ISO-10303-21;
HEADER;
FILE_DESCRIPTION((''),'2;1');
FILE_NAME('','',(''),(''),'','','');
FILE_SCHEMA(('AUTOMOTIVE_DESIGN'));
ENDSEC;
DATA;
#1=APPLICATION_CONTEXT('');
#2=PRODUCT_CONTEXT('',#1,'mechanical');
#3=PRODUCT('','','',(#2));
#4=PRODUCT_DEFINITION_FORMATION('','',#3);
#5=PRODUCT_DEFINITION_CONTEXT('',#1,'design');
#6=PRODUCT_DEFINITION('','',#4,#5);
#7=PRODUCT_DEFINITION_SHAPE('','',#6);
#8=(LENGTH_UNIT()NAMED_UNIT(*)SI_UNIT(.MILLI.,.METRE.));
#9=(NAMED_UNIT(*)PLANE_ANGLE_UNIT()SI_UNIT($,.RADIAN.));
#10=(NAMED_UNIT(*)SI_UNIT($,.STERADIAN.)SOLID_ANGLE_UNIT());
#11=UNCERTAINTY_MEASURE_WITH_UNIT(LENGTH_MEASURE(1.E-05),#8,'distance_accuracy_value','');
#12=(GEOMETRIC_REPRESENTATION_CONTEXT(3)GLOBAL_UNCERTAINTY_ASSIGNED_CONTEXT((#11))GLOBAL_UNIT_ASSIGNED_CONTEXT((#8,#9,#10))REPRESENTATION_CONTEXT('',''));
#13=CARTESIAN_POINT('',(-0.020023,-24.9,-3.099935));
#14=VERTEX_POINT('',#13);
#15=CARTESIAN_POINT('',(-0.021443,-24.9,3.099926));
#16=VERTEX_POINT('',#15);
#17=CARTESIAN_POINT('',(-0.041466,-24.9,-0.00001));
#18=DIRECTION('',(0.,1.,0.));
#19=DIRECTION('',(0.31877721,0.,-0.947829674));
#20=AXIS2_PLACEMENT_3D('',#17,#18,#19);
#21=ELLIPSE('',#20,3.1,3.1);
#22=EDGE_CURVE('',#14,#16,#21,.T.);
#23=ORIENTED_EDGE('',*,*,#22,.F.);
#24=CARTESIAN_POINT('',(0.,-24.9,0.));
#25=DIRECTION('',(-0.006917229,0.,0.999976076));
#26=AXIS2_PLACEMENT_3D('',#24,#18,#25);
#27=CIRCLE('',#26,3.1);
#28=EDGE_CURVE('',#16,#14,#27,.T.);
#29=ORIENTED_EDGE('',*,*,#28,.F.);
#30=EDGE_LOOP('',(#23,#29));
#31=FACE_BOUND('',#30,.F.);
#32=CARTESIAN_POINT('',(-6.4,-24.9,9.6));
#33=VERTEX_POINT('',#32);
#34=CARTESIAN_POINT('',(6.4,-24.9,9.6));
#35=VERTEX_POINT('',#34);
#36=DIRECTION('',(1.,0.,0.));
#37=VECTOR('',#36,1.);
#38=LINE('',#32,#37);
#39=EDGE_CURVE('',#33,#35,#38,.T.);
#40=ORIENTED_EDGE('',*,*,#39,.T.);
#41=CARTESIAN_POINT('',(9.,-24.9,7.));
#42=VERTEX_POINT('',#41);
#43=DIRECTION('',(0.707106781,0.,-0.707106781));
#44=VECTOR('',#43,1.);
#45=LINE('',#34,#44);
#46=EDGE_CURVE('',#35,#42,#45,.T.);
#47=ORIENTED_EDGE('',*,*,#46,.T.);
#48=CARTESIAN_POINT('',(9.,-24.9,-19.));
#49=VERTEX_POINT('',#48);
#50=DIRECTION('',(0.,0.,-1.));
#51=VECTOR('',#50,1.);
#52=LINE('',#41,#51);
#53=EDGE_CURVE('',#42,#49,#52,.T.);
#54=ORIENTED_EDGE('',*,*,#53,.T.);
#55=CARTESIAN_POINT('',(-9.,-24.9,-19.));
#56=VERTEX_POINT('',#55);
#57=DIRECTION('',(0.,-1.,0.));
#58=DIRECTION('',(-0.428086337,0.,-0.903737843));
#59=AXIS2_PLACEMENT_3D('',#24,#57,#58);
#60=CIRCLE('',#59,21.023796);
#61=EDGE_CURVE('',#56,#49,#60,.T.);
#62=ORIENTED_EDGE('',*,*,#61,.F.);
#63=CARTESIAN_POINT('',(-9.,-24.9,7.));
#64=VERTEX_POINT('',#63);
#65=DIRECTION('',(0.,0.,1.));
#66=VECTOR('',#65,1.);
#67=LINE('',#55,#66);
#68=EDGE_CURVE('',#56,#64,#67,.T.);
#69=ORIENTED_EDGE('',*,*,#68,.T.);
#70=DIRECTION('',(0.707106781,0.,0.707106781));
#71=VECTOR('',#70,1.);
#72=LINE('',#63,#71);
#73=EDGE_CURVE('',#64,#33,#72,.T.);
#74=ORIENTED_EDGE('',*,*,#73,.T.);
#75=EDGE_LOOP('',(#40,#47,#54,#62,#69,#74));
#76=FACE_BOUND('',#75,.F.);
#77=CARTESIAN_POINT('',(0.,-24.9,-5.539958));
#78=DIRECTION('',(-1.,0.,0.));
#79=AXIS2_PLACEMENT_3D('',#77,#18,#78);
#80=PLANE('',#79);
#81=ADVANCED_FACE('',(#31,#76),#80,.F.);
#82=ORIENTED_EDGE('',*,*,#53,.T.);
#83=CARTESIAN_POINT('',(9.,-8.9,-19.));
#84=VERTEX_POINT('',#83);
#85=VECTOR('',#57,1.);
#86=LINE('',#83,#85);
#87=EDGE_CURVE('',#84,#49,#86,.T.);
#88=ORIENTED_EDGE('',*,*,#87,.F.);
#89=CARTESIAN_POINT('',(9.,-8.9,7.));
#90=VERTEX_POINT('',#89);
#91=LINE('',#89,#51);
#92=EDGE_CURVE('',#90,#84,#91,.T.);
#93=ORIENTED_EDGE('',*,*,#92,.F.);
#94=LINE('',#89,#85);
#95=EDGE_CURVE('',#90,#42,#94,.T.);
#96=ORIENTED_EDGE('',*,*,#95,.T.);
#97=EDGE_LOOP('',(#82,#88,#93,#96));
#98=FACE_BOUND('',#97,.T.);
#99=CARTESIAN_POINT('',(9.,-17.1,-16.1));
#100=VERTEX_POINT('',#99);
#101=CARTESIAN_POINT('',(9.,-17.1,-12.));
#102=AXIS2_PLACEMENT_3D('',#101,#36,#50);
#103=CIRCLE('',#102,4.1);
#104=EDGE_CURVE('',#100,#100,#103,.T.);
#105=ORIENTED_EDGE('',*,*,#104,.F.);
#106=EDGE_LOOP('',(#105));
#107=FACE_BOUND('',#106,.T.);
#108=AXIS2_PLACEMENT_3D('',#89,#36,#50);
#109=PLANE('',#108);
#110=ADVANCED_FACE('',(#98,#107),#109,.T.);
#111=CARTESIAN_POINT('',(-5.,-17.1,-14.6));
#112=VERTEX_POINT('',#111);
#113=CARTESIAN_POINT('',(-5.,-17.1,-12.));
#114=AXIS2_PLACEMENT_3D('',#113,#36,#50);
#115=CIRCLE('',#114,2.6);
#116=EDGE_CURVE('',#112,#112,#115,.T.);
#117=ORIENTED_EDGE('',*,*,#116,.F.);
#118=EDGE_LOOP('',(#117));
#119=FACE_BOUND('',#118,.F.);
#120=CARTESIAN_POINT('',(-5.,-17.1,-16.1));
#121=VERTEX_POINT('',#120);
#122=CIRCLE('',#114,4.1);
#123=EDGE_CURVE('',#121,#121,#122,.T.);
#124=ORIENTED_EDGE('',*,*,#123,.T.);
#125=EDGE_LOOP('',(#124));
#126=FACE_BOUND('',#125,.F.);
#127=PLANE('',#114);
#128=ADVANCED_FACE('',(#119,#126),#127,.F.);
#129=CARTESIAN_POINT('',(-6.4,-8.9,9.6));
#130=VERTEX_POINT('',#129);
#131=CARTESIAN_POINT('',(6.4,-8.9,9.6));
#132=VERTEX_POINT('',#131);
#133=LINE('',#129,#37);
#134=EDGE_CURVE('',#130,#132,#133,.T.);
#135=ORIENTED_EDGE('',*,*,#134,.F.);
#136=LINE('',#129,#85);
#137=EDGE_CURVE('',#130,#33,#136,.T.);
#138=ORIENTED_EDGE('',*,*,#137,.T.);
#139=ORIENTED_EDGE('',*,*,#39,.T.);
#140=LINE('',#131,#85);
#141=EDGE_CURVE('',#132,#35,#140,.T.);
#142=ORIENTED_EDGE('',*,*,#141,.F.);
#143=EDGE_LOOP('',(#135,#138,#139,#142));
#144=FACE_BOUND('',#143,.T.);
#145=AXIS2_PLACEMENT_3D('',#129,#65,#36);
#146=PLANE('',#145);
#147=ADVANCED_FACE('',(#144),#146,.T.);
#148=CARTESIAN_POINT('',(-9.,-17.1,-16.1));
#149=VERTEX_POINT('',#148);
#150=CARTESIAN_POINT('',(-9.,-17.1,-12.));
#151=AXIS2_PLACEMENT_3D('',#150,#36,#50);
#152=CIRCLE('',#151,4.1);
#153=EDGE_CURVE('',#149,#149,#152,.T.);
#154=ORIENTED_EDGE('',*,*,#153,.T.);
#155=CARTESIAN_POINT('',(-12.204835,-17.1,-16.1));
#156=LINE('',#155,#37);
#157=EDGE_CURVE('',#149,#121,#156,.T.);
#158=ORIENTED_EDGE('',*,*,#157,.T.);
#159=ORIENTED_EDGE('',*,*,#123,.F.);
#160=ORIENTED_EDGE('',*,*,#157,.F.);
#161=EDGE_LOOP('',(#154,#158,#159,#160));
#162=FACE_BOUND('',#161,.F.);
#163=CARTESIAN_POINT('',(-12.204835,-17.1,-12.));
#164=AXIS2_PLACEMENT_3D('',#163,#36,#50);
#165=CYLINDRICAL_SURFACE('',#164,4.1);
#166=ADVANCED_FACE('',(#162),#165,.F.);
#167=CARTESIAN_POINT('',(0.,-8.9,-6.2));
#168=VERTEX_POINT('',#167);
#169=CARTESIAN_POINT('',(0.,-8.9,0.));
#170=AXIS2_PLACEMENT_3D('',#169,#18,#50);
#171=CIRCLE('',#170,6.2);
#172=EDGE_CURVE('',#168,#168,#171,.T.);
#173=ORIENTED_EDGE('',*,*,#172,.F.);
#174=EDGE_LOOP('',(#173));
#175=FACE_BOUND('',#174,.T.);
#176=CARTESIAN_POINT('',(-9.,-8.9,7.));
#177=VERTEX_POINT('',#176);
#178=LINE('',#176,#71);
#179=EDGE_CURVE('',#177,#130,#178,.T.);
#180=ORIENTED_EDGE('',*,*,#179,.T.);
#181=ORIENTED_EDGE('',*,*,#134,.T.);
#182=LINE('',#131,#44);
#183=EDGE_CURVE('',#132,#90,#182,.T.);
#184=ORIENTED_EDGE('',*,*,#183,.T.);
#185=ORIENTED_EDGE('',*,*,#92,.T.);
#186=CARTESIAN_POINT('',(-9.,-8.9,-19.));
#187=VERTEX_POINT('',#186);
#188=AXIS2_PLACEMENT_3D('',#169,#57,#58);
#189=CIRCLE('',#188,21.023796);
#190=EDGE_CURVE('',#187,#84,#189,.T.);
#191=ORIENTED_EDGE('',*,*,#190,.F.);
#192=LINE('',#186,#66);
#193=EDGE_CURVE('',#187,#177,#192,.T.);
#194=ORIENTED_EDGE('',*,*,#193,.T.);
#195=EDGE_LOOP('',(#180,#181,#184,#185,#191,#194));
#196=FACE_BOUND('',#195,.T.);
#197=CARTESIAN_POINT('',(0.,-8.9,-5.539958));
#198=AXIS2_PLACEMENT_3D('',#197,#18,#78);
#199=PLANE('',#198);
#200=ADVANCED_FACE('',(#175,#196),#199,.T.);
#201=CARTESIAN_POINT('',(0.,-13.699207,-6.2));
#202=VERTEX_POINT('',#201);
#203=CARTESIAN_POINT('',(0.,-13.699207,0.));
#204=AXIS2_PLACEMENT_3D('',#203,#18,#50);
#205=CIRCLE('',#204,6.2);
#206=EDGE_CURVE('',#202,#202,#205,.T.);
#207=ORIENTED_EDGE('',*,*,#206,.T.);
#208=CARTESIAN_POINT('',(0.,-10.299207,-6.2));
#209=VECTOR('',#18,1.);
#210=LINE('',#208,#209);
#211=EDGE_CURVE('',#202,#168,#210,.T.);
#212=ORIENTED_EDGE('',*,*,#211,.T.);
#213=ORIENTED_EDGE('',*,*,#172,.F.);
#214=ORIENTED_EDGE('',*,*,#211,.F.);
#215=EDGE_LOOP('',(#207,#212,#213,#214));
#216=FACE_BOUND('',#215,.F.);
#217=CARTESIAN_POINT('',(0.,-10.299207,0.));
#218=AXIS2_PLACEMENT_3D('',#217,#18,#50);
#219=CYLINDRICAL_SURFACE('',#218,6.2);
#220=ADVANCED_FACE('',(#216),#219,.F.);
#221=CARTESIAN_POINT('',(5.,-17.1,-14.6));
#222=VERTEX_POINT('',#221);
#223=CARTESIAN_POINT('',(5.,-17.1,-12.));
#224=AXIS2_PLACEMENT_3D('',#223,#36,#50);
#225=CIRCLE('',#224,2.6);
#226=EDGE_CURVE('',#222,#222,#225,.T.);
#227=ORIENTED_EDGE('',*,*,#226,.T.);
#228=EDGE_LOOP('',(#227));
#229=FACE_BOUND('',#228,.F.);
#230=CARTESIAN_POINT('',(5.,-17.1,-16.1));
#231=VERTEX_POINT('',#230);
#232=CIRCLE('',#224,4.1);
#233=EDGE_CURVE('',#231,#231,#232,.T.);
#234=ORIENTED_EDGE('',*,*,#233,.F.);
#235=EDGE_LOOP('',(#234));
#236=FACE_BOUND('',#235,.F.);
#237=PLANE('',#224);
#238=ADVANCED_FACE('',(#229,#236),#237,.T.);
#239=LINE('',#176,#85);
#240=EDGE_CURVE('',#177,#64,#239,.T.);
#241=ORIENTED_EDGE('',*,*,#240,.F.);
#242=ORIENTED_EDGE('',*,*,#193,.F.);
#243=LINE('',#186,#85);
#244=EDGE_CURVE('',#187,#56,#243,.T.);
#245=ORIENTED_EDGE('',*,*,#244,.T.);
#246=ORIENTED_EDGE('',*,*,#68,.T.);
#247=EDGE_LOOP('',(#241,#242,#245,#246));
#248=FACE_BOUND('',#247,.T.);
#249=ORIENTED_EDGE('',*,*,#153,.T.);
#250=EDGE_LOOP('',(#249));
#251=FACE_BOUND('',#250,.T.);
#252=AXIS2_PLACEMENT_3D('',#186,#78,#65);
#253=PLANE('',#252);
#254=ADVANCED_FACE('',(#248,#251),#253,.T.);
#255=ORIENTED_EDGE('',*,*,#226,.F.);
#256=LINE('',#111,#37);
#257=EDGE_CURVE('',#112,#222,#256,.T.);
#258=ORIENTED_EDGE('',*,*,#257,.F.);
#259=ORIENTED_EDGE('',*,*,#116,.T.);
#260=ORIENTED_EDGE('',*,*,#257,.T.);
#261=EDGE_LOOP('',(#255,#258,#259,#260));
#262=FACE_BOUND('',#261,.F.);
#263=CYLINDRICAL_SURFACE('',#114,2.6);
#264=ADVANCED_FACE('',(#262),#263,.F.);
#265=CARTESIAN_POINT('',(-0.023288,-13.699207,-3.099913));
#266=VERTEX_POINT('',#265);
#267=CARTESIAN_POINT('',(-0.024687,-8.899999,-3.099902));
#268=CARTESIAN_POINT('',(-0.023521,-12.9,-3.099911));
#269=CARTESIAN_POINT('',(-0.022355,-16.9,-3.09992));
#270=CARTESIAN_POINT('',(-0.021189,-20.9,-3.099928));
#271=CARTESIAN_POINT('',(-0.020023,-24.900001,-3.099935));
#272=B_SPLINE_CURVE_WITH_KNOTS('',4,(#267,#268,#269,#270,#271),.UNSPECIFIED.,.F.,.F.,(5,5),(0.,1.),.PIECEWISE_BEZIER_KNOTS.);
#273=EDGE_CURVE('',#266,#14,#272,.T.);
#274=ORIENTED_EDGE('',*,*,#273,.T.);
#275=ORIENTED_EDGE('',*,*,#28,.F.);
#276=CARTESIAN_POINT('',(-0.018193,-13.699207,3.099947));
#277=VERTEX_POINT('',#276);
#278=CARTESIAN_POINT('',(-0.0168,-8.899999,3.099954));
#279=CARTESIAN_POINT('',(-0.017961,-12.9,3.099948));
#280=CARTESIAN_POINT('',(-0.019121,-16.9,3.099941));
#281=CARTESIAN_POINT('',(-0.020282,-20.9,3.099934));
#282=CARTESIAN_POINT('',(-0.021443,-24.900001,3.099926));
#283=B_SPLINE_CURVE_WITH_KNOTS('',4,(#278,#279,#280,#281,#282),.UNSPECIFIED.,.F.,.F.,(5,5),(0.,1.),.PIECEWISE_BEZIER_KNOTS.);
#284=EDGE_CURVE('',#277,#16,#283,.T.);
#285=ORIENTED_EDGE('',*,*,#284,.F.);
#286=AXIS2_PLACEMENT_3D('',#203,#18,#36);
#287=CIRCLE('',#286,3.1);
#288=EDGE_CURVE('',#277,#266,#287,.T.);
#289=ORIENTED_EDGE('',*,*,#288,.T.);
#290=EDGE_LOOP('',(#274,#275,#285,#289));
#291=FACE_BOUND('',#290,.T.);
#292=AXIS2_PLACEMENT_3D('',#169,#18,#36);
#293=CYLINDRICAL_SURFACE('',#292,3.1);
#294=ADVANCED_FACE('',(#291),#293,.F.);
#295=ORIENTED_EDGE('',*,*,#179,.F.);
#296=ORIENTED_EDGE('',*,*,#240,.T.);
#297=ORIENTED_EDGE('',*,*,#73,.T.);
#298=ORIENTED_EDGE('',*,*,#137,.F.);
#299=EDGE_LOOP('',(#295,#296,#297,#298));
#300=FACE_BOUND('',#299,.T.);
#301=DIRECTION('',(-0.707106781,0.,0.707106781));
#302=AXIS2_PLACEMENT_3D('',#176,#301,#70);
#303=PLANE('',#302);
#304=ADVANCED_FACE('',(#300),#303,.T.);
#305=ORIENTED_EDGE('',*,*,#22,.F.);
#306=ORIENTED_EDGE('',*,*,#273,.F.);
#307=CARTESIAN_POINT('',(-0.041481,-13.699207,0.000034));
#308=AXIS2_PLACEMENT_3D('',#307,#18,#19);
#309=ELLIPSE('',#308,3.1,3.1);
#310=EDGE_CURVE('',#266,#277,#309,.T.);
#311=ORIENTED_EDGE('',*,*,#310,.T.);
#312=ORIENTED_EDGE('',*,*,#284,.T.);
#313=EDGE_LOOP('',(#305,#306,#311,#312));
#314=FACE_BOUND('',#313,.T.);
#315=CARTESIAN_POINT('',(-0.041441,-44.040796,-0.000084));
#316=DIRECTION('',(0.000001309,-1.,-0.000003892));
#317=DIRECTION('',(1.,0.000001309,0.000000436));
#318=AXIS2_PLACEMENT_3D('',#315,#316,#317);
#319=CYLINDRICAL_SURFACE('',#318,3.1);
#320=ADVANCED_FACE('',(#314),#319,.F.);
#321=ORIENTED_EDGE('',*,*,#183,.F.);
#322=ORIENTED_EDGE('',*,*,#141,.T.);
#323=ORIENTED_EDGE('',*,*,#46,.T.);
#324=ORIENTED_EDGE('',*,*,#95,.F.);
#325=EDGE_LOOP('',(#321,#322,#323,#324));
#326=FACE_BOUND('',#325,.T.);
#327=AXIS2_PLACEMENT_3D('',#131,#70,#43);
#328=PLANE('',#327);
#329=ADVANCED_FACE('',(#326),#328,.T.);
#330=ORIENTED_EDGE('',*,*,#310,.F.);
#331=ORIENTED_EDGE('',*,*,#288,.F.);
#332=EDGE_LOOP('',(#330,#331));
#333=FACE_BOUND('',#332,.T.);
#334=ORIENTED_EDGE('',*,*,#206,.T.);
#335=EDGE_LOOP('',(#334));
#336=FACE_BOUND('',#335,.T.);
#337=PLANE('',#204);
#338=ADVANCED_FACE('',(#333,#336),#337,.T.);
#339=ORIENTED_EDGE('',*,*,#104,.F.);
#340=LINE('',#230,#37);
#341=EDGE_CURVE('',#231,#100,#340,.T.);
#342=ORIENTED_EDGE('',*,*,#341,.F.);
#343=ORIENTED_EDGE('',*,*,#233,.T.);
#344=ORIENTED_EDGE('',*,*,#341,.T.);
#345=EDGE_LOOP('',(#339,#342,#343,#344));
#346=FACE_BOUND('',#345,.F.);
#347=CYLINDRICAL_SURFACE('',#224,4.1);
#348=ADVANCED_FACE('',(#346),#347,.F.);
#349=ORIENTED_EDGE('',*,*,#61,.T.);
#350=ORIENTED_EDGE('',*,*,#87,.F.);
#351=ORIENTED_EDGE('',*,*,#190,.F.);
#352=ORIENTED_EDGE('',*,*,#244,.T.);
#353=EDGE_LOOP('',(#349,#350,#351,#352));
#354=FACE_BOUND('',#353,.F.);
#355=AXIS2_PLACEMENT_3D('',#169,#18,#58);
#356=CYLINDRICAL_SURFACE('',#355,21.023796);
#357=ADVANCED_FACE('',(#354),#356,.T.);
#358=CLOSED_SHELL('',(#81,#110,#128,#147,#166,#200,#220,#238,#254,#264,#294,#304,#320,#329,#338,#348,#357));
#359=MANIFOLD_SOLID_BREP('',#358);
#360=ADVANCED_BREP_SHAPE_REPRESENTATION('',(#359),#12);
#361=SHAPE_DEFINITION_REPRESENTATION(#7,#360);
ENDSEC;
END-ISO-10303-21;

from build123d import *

# Parameters (mm, degrees)
COPYSKETCH018_W             = 6.8
COPYSKETCH018_H             = 3.7
CYLINDER069_R               = 3.1
CYLINDER069_DEPTH           = 44
CYLINDER069_ROLL_ANGLE      = -89.999777
CYLINDER069_PITCH_ANGLE     = -2.5e-05
CYLINDER069_PLACEMENT_ANGLE = 7.5e-05
SKETCH022_R                 = 3.1
PAD022_DEPTH                = 16


with BuildPart() as abstand_ring004:
    # CopySketch018 → Revolution004 (revolve)
    with BuildSketch(Plane.YZ):
        with Locations((-5.899207, -4.35)):
            Rectangle(COPYSKETCH018_W, COPYSKETCH018_H)
    revolve(axis=Axis((0, 0, 0), (0, 1, 0)))


with BuildPart() as abstand_ring004_1:
    # Body032 placement: moved
    add(abstand_ring004.part.moved(Location((0, -4.4, 0))))


with BuildPart() as bohrung_durch_innen:
    # Cylinder069 → Cylinder069 (new body)
    with BuildSketch(Plane.XY):
        Circle(CYLINDER069_R)
    extrude(amount=CYLINDER069_DEPTH)


with BuildPart() as bohrung_durch_innen_1:
    # Cylinder069 roll: moved
    add(bohrung_durch_innen.part.rotate(Axis((0, 0, 0), (1, 0, 0)), CYLINDER069_ROLL_ANGLE))


with BuildPart() as bohrung_durch_innen_2:
    # Cylinder069 pitch: moved
    add(bohrung_durch_innen_1.part.rotate(Axis((0, 0, 0), (0, 1, 0)), CYLINDER069_PITCH_ANGLE))


with BuildPart() as bohrung_durch_innen_3:
    # Cylinder069 placement: moved
    add(bohrung_durch_innen_2.part.moved(Location((-0.041441, -44.040796, -8.4e-05))).rotate(Axis((-0.041441, -44.040796, -8.4e-05), (0, 0, 1)), CYLINDER069_PLACEMENT_ANGLE))


with BuildPart() as schwinge_bohung_innen:
    # Sketch023 → Revolution (revolve)
    with BuildSketch(Plane.XZ):
        Polygon((-12.204835, 0), (-12.204835, -4.1), (-5, -4.1), (-5, -2.6), (5, -2.6), (5, -4.1), (12.102632, -4.1), (12.102632, 0), align=None)
    revolve(axis=Axis((0, 0, 0), (1, 0, 0)))


with BuildPart() as schwinge_bohung_innen_1:
    # Body033 placement: moved
    add(schwinge_bohung_innen.part.moved(Location((0, -17.1, -12))))


with BuildPart() as cut064:
    # Sketch022 → Pad022 (new body)
    with BuildSketch(Plane.XZ):
        with BuildLine():
            Line((-9, 7), (-6.4, 9.6))
            Line((-6.4, 9.6), (6.4, 9.6))
            Line((6.4, 9.6), (9, 7))
            Line((9, 7), (9, -19))
            ThreePointArc((-9, -19), (0, -21.023796), (9, -19))
            Line((-9, -19), (-9, 7))
        make_face()
        Circle(SKETCH022_R, mode=Mode.SUBTRACT)
    extrude(amount=PAD022_DEPTH)


with BuildPart() as cut064_1:
    # Body031 placement: moved
    add(cut064.part.moved(Location((0, -8.9, 0))))

    # Cut062: cut schwinge-bohung-innen
    add(schwinge_bohung_innen_1.part, mode=Mode.SUBTRACT)

    # Cut063: cut bohrung-durch-innen
    add(bohrung_durch_innen_3.part, mode=Mode.SUBTRACT)

    # Cut064: cut abstand-ring004
    add(abstand_ring004_1.part, mode=Mode.SUBTRACT)


solid = cut064_1.part
